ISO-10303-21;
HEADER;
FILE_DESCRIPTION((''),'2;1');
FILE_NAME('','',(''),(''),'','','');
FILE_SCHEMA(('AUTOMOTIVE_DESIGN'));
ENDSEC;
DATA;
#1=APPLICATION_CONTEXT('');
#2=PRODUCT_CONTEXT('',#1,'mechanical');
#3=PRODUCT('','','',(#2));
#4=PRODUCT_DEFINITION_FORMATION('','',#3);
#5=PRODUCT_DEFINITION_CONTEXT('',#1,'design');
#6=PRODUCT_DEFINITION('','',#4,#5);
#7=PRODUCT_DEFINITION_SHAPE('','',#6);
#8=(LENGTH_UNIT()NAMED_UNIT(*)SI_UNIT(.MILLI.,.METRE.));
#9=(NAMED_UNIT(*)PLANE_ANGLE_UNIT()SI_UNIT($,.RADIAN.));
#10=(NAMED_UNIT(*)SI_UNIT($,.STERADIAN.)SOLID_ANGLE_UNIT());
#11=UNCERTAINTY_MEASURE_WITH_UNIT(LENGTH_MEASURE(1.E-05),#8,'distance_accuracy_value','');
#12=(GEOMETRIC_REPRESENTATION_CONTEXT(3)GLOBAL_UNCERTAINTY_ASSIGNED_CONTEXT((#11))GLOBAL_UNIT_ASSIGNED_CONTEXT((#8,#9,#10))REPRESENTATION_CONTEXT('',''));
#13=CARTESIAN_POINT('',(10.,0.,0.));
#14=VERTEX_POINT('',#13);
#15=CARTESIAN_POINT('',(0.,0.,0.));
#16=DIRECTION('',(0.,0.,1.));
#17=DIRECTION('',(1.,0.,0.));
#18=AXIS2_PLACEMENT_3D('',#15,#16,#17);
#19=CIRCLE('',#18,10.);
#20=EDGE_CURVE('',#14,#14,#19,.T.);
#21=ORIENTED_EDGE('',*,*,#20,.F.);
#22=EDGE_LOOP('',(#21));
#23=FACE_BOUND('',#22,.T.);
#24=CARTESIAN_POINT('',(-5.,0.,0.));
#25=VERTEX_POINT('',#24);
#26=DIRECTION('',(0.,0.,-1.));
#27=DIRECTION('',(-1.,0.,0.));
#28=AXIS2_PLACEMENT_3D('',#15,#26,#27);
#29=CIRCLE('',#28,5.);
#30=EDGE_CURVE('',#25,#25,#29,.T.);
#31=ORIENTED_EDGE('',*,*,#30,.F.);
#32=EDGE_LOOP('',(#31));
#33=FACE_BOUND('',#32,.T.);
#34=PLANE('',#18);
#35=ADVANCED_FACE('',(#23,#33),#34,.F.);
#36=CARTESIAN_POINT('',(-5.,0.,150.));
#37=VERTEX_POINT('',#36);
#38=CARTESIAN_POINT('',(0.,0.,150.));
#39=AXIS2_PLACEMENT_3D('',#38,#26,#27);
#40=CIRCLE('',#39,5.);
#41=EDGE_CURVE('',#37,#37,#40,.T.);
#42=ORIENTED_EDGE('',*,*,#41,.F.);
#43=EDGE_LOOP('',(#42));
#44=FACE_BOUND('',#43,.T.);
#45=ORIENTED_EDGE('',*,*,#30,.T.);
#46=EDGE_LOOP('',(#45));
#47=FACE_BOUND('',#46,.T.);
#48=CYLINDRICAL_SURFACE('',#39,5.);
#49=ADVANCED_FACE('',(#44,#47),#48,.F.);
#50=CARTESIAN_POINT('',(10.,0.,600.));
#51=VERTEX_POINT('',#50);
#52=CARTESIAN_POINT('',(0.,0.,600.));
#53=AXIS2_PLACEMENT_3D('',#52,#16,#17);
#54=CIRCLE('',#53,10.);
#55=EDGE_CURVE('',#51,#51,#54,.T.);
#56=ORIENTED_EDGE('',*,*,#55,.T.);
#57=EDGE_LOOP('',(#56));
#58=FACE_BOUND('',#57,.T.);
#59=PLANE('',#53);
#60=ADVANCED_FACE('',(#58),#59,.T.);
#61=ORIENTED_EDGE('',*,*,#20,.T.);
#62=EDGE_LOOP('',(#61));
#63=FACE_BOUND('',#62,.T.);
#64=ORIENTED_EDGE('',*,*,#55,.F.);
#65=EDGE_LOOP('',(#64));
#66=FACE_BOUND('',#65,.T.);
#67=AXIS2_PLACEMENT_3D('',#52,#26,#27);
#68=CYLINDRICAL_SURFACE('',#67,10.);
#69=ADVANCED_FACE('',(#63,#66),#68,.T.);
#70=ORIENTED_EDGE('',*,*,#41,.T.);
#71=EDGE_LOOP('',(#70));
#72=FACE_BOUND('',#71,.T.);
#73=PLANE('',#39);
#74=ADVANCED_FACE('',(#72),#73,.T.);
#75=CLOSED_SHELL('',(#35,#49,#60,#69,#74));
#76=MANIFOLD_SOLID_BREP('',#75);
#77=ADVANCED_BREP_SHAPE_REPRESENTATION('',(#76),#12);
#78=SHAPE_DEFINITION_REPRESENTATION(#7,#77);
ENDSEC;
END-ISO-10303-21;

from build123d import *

# Parameters (mm, degrees)
SKETCH1_R           = 10
BOSS_EXTRUDE1_DEPTH = 600
SKETCH2_R           = 5
CUT_EXTRUDE1_DEPTH  = 150


with BuildPart() as part:
    # Sketch1 → Boss-Extrude1 (new body)
    with BuildSketch(Plane.XY):
        Circle(SKETCH1_R)
    extrude(amount=BOSS_EXTRUDE1_DEPTH)

    # Sketch2 → Cut-Extrude1 (cut)
    with BuildSketch(Plane(origin=(0, 0, 0), x_dir=(-1, 0, 0), z_dir=(0, 0, -1))):
        Circle(SKETCH2_R)
    extrude(amount=-CUT_EXTRUDE1_DEPTH, mode=Mode.SUBTRACT)


solid = part.part
